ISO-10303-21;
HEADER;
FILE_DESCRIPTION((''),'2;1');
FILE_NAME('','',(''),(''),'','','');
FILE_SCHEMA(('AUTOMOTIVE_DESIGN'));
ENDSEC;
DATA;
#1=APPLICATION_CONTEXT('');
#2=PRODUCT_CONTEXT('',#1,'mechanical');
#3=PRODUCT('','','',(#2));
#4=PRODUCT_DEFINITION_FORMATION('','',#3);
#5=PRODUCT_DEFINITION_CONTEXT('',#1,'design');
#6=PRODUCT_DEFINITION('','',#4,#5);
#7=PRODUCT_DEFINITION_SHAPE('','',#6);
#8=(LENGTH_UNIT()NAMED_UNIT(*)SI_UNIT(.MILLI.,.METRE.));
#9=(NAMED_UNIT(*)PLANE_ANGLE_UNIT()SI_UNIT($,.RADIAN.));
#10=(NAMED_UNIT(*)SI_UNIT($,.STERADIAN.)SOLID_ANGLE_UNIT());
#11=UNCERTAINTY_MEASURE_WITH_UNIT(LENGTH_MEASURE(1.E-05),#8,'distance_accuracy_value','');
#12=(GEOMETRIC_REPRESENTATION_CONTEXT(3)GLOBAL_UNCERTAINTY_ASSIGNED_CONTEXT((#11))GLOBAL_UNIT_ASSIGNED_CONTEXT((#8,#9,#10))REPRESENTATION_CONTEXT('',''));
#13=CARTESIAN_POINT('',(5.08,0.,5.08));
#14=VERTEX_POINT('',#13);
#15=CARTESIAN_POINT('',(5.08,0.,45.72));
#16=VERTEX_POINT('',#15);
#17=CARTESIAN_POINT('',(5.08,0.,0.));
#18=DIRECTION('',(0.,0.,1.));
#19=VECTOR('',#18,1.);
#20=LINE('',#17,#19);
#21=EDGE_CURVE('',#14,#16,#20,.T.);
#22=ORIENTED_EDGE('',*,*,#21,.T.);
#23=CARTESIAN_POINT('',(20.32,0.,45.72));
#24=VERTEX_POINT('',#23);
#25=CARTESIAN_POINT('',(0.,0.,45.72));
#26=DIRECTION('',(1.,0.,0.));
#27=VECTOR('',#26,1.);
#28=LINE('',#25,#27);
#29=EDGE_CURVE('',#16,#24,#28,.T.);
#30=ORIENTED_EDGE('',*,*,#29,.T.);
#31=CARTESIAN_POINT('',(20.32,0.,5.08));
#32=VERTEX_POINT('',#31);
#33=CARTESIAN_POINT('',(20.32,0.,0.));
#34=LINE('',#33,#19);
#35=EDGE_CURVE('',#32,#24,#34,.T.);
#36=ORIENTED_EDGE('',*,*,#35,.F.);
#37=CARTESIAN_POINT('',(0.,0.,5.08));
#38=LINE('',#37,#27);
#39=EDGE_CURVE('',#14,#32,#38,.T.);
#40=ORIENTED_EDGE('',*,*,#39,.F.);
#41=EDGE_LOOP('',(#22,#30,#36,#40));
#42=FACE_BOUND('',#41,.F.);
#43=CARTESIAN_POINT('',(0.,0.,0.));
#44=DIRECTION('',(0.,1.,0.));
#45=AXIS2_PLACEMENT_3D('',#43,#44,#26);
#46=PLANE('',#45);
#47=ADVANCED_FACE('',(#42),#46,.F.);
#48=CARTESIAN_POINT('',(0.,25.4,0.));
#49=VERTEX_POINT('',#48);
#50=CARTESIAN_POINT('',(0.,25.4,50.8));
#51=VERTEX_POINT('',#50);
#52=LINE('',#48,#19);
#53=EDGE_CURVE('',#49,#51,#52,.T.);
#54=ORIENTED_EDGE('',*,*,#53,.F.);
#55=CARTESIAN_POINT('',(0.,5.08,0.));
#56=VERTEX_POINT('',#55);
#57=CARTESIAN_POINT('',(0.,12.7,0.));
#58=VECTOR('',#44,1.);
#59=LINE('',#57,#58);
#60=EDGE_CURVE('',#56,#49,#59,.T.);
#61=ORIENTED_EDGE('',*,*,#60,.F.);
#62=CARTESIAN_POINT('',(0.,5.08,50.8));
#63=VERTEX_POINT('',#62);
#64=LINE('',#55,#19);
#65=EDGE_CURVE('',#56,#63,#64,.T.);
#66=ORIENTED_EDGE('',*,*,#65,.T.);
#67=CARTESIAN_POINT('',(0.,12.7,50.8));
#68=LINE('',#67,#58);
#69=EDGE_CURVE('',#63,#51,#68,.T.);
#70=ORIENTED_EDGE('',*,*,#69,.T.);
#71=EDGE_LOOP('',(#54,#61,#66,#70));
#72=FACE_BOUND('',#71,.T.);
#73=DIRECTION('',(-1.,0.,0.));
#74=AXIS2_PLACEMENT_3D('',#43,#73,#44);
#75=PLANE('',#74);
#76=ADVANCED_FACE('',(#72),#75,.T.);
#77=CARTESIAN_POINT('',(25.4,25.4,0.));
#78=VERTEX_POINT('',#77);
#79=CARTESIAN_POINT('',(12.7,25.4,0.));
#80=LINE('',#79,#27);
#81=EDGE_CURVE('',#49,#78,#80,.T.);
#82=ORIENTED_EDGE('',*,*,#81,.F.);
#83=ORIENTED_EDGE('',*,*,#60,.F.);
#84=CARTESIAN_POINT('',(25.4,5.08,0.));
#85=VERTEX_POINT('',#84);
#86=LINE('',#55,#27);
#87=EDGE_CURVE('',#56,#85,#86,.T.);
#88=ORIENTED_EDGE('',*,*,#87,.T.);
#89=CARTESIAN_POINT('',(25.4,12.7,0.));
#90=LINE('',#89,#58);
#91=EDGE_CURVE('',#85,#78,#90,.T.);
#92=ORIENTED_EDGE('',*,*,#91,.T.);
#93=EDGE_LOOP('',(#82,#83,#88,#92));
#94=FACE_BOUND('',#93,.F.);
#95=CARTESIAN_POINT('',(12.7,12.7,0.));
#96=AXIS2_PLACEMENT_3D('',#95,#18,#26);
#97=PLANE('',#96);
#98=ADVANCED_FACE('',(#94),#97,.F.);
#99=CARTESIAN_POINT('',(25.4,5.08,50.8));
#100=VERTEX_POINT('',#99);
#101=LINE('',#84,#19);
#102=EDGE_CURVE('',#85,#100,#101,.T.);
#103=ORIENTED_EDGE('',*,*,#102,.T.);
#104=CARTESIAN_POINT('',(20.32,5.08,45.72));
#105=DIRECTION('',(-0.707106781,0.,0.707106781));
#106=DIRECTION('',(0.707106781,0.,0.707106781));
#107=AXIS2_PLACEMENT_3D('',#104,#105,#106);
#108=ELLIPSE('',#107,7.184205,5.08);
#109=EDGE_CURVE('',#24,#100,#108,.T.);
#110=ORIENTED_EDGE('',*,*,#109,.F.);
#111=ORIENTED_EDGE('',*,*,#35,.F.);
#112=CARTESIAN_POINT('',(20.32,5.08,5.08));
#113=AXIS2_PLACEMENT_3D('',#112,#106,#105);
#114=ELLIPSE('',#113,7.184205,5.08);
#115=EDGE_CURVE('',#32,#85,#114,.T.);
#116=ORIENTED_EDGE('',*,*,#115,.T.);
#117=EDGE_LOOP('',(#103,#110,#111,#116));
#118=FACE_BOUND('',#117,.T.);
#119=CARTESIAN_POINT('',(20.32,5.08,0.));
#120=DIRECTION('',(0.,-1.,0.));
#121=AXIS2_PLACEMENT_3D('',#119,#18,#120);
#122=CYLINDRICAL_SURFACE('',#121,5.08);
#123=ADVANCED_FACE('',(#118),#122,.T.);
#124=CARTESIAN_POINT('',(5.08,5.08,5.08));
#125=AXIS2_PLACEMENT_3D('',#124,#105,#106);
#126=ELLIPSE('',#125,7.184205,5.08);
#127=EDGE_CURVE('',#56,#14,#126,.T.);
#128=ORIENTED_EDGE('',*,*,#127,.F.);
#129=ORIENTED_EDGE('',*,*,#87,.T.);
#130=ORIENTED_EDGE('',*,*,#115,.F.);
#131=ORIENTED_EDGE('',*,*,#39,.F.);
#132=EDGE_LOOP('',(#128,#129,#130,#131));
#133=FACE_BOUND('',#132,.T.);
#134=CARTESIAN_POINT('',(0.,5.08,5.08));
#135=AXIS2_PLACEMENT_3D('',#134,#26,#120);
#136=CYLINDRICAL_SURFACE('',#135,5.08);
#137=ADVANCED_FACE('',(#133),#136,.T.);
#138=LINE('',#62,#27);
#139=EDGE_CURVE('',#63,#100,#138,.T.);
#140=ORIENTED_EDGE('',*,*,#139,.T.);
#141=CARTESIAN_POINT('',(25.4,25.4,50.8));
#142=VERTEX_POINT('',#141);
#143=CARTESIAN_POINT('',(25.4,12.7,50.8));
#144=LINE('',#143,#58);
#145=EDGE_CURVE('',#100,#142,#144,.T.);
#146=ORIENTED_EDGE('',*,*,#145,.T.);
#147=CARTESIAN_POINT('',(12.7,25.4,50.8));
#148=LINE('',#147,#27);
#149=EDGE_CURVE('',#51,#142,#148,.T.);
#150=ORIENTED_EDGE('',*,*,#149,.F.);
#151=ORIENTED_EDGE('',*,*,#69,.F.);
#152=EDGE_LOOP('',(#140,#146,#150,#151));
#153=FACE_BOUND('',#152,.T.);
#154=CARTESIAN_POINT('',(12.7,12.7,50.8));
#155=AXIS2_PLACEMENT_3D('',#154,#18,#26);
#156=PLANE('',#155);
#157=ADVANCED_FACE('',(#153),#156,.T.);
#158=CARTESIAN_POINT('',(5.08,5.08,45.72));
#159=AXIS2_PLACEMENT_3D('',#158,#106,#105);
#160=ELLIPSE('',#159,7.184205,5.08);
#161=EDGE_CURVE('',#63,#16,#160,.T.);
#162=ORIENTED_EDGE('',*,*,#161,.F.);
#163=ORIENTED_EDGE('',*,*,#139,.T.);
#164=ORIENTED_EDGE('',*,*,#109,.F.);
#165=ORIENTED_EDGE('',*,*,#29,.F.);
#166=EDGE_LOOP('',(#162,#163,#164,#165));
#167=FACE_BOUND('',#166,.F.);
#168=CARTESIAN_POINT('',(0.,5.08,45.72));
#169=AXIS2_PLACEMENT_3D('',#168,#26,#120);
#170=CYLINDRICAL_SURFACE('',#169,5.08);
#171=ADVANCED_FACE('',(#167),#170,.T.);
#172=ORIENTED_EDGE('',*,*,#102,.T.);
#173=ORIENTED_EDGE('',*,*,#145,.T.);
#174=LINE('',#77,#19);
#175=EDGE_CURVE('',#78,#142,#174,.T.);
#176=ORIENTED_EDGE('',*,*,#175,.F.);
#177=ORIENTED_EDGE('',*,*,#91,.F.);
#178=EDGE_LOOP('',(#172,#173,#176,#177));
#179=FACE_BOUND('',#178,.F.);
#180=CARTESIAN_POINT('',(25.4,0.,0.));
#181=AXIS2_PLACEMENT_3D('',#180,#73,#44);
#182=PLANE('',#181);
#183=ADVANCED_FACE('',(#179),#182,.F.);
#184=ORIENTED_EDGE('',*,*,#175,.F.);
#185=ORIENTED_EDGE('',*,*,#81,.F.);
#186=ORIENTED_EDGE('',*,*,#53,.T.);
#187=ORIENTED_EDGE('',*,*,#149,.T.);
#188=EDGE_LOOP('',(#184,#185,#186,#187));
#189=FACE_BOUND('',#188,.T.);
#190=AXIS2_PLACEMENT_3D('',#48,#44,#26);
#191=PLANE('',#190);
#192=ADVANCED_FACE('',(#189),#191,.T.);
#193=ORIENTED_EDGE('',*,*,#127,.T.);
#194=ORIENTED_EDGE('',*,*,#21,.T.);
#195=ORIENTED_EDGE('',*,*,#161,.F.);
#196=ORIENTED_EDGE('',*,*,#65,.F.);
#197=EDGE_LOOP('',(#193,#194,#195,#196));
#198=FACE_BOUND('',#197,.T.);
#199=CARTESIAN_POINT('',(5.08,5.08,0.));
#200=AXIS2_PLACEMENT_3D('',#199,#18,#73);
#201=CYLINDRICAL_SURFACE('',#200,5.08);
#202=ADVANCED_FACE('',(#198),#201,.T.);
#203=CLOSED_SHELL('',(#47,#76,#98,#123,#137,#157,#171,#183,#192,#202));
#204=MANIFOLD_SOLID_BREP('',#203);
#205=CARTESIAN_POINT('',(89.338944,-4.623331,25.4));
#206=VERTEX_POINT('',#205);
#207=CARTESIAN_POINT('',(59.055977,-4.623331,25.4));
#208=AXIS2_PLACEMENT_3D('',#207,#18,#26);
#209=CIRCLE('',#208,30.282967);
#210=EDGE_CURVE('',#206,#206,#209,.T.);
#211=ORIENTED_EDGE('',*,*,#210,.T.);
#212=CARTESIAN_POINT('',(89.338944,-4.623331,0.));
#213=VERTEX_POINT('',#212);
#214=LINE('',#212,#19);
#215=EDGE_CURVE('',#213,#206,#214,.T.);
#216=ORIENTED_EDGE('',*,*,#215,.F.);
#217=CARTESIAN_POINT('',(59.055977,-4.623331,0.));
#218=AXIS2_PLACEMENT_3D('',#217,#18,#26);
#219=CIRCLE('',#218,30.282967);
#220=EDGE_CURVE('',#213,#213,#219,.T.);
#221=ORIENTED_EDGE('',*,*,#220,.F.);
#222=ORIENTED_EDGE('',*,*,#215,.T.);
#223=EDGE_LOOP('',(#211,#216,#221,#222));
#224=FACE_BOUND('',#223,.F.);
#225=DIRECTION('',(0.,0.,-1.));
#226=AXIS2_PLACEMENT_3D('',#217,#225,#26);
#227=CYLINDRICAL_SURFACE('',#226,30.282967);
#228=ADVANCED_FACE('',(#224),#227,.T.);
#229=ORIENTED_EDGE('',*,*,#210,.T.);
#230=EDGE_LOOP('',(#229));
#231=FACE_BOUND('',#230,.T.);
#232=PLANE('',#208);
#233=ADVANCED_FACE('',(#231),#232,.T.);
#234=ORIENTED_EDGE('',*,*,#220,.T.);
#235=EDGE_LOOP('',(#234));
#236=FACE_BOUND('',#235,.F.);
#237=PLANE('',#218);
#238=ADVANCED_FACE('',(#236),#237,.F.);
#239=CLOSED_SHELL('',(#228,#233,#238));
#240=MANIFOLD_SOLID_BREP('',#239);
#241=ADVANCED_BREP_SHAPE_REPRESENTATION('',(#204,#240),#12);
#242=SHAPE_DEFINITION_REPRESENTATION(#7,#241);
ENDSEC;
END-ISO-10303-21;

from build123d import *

# Parameters (mm, degrees)
F0_W     = 25.4
F0_H     = 25.4
F1_DEPTH = 50.8
F2_R     = 5.08
F3_R     = 30.282967
F4_DEPTH = 25.4


with BuildPart() as f1:
    # F0 (on Top) → F1 (new body)
    with BuildSketch(Plane.XY):
        with Locations((12.7, 12.7)):
            Rectangle(F0_W, F0_H)
    extrude(amount=F1_DEPTH)

    # F2
    f2_edges = [f1.edges().sort_by_distance(p)[0] for p in [
        (0, 0, 25.4),
        (25.4, 0, 25.4),
        (12.7, 0, 0),
        (12.7, 0, 50.8),
    ]]
    fillet(f2_edges, radius=F2_R)


with BuildPart() as f4:
    # F3 (on Top) → F4 (new body)
    with BuildSketch(Plane.XY):
        with Locations((59.055977, -4.623331)):
            Circle(F3_R)
    extrude(amount=F4_DEPTH)


solid = Compound([f1.part, f4.part])
